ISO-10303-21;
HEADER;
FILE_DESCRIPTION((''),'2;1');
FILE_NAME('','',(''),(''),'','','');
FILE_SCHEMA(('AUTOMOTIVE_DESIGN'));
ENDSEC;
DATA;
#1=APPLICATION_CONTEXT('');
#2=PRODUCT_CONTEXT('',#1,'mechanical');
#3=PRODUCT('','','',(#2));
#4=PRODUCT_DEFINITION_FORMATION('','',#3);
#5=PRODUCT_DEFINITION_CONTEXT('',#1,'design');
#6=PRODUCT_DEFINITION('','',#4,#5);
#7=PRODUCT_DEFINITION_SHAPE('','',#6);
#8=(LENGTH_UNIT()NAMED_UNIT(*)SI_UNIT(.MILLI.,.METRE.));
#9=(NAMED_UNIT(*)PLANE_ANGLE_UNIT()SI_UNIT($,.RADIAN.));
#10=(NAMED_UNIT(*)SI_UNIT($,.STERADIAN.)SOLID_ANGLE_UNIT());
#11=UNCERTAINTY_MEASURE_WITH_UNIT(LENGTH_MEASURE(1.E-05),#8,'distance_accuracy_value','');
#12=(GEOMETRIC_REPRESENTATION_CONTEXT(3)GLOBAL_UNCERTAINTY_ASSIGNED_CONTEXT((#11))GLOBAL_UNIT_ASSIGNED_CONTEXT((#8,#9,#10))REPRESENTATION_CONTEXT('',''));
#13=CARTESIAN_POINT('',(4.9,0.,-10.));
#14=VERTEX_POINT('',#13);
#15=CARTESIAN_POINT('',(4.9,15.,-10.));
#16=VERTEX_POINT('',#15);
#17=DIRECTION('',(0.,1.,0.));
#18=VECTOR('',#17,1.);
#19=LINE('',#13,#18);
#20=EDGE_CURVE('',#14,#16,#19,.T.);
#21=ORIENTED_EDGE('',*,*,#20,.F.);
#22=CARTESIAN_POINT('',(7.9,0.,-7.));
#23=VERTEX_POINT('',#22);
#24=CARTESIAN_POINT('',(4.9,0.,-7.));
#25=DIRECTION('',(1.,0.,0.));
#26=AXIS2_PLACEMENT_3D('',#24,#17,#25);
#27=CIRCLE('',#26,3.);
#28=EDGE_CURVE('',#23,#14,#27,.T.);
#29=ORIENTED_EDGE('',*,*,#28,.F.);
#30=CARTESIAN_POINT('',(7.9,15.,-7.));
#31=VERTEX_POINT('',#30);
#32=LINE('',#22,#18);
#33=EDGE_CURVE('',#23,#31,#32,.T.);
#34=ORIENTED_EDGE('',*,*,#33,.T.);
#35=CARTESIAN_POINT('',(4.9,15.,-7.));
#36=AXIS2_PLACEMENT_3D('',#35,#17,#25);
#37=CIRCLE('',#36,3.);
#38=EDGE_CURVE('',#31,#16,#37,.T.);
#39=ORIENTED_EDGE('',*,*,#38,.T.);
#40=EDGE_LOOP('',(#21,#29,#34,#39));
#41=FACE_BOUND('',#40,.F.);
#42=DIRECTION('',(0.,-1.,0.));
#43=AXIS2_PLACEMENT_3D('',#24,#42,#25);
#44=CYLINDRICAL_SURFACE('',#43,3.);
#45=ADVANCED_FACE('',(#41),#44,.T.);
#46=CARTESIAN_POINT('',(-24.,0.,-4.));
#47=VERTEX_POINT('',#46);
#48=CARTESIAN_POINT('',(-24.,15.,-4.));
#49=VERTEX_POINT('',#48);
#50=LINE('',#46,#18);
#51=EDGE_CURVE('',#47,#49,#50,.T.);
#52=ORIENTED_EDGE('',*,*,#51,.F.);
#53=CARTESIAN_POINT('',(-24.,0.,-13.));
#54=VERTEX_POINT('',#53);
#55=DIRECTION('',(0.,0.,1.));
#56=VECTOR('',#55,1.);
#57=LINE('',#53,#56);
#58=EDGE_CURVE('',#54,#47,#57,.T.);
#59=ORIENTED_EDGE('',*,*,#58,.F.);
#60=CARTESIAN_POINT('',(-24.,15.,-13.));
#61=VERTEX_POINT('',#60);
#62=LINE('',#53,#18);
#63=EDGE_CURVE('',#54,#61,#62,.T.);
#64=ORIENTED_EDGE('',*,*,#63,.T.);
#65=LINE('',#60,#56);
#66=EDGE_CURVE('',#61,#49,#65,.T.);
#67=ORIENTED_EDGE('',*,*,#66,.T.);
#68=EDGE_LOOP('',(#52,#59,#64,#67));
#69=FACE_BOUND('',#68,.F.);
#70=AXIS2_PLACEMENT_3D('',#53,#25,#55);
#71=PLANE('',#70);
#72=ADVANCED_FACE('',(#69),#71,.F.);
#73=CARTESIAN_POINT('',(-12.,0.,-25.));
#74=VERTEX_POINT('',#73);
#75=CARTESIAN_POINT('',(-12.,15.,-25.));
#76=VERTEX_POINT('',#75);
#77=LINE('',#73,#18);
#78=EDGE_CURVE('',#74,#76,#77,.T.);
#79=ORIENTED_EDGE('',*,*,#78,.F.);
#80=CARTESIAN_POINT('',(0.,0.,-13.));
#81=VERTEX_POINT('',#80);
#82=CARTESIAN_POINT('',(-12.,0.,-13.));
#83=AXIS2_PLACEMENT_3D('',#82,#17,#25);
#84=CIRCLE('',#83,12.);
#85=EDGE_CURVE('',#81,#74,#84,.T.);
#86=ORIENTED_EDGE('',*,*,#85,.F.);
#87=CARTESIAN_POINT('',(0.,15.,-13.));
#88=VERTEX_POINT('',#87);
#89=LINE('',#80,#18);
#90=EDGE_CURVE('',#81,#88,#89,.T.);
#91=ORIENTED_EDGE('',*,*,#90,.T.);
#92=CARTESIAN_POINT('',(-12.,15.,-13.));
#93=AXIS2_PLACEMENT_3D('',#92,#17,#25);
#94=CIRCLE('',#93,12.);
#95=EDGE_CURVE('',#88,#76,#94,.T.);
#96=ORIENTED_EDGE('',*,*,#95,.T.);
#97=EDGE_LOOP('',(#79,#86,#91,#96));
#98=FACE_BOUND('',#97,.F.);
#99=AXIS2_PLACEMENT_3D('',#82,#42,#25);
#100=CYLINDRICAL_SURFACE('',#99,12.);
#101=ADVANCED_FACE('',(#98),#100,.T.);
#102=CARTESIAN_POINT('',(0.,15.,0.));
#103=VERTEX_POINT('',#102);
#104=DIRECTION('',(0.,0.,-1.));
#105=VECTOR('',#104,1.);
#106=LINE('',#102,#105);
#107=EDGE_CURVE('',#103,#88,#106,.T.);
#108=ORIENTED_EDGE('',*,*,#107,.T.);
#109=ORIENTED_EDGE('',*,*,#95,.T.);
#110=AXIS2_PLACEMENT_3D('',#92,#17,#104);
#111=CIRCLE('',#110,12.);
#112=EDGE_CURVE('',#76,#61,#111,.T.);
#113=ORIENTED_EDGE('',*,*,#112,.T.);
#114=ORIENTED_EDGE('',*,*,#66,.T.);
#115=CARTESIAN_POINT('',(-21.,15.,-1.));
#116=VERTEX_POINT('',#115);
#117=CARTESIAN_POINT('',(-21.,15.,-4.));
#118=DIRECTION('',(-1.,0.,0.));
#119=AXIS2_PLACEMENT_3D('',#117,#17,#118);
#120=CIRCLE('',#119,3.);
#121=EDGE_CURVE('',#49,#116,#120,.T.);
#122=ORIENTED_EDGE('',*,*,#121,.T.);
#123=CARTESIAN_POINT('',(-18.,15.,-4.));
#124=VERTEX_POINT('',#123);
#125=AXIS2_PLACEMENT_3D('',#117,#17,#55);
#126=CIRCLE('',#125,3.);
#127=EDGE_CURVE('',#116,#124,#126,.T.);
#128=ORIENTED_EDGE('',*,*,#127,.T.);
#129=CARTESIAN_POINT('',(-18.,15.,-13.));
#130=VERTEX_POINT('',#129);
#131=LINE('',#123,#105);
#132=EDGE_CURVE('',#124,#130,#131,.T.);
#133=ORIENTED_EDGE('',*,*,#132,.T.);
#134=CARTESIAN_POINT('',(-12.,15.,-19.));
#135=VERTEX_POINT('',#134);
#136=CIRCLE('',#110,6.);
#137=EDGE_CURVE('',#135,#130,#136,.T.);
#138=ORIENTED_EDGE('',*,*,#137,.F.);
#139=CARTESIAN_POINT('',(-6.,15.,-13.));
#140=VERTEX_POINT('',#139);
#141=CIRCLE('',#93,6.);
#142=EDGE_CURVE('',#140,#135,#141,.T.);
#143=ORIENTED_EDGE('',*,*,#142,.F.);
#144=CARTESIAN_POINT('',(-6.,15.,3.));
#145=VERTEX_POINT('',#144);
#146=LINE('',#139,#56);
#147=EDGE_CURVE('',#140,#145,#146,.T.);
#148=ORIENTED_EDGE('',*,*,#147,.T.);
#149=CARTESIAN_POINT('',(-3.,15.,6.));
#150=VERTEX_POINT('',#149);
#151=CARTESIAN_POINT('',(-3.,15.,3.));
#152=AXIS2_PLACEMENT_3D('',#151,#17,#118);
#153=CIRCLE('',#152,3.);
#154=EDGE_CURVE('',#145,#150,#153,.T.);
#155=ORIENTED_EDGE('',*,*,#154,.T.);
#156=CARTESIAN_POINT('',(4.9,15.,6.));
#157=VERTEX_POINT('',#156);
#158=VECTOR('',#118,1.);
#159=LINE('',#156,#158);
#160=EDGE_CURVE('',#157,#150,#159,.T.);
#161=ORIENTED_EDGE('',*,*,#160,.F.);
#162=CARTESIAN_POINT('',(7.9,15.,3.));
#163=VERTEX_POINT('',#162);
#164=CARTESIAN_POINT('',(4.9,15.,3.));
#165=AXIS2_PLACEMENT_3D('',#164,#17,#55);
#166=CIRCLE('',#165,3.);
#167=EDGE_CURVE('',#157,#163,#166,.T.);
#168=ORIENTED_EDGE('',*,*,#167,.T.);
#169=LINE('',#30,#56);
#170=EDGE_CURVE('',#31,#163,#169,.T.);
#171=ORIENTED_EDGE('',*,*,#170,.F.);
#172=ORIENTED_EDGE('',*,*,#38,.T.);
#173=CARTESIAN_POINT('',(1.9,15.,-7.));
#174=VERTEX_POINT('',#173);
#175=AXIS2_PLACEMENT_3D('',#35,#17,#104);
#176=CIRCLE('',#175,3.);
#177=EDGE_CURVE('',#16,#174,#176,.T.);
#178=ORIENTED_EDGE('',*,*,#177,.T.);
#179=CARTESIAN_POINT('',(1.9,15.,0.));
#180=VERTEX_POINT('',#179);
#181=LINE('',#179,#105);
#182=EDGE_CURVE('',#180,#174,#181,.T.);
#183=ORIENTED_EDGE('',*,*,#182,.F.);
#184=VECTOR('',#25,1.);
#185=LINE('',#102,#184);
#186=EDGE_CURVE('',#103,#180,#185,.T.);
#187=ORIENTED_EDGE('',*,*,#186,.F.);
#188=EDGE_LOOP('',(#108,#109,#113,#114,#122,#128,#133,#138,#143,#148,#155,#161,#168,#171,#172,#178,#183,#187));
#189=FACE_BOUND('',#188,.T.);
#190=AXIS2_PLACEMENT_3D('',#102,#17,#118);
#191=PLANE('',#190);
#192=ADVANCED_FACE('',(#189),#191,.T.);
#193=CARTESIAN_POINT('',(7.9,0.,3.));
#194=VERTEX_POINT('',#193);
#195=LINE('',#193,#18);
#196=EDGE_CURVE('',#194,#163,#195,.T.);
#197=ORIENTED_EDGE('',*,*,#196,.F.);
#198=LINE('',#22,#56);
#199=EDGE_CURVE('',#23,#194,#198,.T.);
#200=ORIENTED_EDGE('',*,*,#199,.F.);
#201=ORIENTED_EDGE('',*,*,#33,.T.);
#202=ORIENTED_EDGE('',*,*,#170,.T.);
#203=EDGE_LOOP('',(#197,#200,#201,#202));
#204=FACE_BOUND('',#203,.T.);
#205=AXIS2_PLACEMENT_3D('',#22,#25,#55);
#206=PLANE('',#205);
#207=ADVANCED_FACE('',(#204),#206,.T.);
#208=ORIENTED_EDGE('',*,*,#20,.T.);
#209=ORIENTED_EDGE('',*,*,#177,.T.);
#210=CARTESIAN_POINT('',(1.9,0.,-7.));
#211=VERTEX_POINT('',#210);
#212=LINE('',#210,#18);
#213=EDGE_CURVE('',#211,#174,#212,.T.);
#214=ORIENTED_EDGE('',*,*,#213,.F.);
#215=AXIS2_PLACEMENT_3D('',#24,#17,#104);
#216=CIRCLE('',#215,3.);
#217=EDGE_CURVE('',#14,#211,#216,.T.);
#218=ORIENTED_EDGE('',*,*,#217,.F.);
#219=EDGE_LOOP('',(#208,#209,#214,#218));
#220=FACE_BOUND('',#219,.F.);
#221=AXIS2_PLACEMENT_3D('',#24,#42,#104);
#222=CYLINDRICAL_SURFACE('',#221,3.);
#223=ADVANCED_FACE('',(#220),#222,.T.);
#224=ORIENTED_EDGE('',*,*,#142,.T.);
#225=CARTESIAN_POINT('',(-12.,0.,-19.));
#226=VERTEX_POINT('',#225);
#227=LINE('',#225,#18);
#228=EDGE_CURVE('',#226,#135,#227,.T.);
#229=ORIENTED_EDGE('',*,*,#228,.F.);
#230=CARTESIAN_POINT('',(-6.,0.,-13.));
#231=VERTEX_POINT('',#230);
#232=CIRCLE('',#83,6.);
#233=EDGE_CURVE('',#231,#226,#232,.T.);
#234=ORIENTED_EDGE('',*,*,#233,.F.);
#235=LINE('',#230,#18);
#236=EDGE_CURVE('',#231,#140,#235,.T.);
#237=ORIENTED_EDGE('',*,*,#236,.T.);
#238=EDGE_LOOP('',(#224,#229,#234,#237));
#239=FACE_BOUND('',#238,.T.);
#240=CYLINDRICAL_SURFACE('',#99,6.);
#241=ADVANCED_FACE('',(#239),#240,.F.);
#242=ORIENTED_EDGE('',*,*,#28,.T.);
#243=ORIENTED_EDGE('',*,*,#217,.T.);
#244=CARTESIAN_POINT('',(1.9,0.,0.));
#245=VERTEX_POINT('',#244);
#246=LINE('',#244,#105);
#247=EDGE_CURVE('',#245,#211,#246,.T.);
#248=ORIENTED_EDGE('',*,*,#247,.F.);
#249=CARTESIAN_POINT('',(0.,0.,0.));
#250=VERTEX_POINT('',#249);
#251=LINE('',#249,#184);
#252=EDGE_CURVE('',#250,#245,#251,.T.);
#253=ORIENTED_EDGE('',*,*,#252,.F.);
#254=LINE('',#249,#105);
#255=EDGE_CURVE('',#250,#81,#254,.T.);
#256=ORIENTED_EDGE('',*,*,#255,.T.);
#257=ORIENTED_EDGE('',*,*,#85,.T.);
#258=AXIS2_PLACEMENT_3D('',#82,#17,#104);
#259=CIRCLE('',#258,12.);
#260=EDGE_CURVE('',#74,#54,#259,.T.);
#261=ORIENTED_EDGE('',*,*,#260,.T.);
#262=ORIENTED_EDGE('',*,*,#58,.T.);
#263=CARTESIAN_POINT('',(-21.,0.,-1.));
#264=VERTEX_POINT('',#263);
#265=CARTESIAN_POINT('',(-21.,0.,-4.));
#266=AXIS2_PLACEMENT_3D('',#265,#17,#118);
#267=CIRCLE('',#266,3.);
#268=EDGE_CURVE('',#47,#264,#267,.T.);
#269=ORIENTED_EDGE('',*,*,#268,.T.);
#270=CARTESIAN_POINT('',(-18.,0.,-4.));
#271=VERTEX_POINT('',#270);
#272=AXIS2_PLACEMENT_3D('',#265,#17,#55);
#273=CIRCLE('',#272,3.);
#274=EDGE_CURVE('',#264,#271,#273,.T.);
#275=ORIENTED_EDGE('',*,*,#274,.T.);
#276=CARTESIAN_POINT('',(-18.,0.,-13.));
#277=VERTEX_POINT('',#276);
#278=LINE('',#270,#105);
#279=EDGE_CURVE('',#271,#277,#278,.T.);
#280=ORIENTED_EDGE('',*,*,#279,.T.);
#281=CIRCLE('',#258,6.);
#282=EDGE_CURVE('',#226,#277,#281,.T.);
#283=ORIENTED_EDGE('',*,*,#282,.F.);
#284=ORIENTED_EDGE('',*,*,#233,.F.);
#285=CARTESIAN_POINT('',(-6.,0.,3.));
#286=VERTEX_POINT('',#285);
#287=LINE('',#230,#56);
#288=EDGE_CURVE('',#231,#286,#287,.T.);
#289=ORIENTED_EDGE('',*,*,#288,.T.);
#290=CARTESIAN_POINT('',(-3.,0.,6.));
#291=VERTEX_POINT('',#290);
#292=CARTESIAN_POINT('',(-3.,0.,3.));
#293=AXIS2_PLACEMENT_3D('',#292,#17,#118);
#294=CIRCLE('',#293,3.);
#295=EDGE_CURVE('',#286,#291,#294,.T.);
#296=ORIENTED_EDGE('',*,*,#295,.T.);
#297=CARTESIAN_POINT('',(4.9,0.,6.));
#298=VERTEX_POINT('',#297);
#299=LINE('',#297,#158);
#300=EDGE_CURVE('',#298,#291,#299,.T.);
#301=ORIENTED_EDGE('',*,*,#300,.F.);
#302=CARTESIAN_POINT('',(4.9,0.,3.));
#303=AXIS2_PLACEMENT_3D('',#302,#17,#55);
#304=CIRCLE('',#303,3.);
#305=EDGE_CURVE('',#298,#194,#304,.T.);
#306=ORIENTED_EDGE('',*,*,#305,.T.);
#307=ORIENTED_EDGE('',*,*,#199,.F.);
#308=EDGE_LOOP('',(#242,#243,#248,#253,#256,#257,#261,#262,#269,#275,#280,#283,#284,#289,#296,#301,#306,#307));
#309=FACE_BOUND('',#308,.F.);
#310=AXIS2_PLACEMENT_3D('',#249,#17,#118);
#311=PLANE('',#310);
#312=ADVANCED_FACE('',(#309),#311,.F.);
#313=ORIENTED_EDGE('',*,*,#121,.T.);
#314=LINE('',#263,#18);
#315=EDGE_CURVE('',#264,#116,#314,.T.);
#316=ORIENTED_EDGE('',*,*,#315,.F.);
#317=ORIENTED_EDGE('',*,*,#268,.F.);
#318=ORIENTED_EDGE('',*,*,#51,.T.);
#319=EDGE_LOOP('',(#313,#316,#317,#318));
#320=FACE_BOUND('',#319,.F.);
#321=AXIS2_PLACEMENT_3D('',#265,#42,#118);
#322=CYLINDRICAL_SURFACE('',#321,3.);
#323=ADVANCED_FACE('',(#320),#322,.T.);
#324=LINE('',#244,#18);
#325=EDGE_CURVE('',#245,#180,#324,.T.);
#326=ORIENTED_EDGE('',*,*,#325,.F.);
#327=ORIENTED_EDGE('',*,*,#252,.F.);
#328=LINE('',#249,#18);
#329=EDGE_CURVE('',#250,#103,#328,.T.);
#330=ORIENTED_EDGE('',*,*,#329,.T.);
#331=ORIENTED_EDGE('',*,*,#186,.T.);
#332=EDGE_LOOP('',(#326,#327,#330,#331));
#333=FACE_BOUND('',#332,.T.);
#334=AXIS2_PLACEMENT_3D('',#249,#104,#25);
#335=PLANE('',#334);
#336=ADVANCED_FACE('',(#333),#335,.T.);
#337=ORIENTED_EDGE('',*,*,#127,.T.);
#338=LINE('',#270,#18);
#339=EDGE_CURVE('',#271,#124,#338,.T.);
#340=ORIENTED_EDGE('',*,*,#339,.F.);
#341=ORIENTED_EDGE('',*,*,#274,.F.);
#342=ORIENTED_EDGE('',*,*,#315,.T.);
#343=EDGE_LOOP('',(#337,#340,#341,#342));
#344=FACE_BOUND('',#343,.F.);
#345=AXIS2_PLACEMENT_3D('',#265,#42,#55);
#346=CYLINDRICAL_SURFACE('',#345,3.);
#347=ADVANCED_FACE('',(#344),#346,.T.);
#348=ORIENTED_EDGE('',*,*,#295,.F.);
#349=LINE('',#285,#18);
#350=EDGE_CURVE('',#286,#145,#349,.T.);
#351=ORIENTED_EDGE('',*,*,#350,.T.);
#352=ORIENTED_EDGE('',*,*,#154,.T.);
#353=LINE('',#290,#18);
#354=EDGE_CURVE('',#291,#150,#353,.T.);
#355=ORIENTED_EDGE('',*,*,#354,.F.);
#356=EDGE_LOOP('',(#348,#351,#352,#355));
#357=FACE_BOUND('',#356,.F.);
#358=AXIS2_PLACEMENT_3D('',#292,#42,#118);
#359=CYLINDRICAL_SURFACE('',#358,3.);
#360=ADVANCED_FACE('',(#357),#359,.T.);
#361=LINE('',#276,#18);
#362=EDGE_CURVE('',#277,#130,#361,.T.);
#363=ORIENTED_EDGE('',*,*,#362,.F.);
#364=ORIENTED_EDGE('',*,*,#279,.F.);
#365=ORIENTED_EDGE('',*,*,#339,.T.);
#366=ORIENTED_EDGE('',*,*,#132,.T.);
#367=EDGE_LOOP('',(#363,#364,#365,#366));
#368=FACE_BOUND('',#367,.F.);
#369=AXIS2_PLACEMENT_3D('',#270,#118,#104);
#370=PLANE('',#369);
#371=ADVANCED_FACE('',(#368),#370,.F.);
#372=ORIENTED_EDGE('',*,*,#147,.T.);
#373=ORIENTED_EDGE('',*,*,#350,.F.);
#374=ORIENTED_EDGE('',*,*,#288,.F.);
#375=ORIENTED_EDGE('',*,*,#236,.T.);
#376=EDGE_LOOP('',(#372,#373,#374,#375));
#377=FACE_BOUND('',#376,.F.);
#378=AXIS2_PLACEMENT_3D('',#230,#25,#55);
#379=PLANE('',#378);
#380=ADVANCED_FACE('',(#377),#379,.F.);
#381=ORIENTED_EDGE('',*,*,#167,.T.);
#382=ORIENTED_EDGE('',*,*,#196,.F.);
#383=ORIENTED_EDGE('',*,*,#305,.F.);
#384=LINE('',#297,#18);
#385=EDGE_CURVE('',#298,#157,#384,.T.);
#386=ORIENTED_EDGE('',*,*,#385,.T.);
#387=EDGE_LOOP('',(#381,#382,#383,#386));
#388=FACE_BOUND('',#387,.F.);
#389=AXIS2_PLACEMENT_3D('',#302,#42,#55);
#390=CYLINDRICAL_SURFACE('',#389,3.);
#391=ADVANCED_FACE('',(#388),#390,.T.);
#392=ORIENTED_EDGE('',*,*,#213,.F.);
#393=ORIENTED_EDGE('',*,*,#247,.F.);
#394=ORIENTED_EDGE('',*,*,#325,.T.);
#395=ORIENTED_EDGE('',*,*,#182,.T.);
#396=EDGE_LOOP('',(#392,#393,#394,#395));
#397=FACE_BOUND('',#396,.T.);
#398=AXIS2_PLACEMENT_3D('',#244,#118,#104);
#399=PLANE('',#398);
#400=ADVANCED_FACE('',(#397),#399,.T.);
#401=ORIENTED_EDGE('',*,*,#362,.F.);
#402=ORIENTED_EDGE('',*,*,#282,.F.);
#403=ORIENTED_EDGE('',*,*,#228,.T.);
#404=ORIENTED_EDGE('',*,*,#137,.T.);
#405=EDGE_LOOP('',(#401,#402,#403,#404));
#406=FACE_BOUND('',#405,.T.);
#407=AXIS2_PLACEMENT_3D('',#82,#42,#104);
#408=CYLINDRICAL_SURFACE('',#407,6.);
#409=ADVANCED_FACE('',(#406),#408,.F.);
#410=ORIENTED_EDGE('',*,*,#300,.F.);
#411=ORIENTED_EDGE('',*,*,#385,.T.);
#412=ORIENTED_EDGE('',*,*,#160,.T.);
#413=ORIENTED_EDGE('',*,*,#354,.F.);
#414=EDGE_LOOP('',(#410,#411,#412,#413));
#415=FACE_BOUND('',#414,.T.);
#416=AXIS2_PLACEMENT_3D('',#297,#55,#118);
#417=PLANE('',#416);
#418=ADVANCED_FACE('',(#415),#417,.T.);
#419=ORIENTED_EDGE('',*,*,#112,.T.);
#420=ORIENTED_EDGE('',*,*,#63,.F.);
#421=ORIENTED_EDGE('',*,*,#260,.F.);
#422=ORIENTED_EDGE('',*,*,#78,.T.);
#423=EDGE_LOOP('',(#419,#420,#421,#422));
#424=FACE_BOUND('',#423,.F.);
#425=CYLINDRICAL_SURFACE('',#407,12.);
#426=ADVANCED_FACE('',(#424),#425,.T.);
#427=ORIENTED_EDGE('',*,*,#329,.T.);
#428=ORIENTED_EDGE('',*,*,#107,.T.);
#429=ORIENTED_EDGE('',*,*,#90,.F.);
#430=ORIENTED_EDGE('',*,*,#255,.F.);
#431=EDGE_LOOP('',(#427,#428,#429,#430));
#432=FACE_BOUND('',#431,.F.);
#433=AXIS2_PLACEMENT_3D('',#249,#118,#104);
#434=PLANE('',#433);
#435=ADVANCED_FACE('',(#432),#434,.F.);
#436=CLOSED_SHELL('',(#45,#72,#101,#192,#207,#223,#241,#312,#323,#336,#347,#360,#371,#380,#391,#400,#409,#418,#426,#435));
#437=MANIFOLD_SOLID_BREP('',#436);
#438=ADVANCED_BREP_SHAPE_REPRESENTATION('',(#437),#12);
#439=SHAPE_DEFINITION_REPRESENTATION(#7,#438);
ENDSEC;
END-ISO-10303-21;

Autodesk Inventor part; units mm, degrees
ref_plane "YZ Plane" through (0, 0, 0) normal (1, 0, 0) x (0, 1, 0)
ref_plane "XZ Plane" through (0, 0, 0) normal (0, 1, 0) x (-1, 0, 0)
ref_plane "XY Plane" through (0, 0, 0) normal (0, 0, 1) x (1, 0, 0)
sketch "Sketch1" plane through (0, 0, 0) normal (0, 1, 0) x (-1, 0, 0)
  line L0 (0, 0) -> (-1.9, 0)
  line L1 (-1.9, 0) -> (-1.9, -7)
  line L2 (-4.9, -10) -> (-4.9, -10)
  line L3 (-7.9, -7) -> (-7.9, 3)
  line L4 (-4.9, 6) -> (3, 6)
  line L5 (0, 0) -> (0, -13)
  line L6 (12, -25) -> (12, -25)
  line L7 (24, -13) -> (24, -4)
  line L8 (21, -1) -> (21, -1)
  line L9 (18, -4) -> (18, -13)
  line L10 (12, -19) -> (12, -19)
  line L11 (6, -13) -> (6, 3)
  arc A0 (6, -13) -> (12, -19) centre (12, -13) ccw
  arc A1 (12, -19) -> (18, -13) centre (12, -13) ccw
  arc A2 (0, -13) -> (12, -25) centre (12, -13) ccw
  arc A3 (12, -25) -> (24, -13) centre (12, -13) ccw
  arc A4 (-4.9, 6) -> (-7.9, 3) centre (-4.9, 3) ccw
  arc A5 (6, 3) -> (3, 6) centre (3, 3) ccw
  arc A6 (-4.9, -10) -> (-1.9, -7) centre (-4.9, -7) ccw
  arc A7 (-7.9, -7) -> (-4.9, -10) centre (-4.9, -7) ccw
  arc A8 (24, -4) -> (21, -1) centre (21, -4) ccw
  arc A9 (21, -1) -> (18, -4) centre (21, -4) ccw
  point P0 (-1.9, -10)
  point P1 (-7.9, -10)
  point P2 (-7.9, 6)
  point P3 (6, 6)
  point P4 (0, -25)
  point P5 (24, -25)
  point P6 (24, -1)
  point P7 (18, -1)
  point P8 (18, -19)
  point P9 (6, -19)
  dimension "d0" = 1.9
  dimension "d1" = 10
  dimension "d2" = 6
  dimension "d3" = 16
  dimension "d4" = 6
  dimension "d5" = 25
  dimension "d6" = 24
  dimension "d7" = 24
  dimension "d8" = 6
  dimension "d9" = 18
  dimension "d10" = 12
  dimension "d11" = 6
  dimension "d12" = 12
  dimension "d13" = 3
extrude "Extrusion1" add sketch "Sketch1" along normal blind 15
properties part number "Percha"
